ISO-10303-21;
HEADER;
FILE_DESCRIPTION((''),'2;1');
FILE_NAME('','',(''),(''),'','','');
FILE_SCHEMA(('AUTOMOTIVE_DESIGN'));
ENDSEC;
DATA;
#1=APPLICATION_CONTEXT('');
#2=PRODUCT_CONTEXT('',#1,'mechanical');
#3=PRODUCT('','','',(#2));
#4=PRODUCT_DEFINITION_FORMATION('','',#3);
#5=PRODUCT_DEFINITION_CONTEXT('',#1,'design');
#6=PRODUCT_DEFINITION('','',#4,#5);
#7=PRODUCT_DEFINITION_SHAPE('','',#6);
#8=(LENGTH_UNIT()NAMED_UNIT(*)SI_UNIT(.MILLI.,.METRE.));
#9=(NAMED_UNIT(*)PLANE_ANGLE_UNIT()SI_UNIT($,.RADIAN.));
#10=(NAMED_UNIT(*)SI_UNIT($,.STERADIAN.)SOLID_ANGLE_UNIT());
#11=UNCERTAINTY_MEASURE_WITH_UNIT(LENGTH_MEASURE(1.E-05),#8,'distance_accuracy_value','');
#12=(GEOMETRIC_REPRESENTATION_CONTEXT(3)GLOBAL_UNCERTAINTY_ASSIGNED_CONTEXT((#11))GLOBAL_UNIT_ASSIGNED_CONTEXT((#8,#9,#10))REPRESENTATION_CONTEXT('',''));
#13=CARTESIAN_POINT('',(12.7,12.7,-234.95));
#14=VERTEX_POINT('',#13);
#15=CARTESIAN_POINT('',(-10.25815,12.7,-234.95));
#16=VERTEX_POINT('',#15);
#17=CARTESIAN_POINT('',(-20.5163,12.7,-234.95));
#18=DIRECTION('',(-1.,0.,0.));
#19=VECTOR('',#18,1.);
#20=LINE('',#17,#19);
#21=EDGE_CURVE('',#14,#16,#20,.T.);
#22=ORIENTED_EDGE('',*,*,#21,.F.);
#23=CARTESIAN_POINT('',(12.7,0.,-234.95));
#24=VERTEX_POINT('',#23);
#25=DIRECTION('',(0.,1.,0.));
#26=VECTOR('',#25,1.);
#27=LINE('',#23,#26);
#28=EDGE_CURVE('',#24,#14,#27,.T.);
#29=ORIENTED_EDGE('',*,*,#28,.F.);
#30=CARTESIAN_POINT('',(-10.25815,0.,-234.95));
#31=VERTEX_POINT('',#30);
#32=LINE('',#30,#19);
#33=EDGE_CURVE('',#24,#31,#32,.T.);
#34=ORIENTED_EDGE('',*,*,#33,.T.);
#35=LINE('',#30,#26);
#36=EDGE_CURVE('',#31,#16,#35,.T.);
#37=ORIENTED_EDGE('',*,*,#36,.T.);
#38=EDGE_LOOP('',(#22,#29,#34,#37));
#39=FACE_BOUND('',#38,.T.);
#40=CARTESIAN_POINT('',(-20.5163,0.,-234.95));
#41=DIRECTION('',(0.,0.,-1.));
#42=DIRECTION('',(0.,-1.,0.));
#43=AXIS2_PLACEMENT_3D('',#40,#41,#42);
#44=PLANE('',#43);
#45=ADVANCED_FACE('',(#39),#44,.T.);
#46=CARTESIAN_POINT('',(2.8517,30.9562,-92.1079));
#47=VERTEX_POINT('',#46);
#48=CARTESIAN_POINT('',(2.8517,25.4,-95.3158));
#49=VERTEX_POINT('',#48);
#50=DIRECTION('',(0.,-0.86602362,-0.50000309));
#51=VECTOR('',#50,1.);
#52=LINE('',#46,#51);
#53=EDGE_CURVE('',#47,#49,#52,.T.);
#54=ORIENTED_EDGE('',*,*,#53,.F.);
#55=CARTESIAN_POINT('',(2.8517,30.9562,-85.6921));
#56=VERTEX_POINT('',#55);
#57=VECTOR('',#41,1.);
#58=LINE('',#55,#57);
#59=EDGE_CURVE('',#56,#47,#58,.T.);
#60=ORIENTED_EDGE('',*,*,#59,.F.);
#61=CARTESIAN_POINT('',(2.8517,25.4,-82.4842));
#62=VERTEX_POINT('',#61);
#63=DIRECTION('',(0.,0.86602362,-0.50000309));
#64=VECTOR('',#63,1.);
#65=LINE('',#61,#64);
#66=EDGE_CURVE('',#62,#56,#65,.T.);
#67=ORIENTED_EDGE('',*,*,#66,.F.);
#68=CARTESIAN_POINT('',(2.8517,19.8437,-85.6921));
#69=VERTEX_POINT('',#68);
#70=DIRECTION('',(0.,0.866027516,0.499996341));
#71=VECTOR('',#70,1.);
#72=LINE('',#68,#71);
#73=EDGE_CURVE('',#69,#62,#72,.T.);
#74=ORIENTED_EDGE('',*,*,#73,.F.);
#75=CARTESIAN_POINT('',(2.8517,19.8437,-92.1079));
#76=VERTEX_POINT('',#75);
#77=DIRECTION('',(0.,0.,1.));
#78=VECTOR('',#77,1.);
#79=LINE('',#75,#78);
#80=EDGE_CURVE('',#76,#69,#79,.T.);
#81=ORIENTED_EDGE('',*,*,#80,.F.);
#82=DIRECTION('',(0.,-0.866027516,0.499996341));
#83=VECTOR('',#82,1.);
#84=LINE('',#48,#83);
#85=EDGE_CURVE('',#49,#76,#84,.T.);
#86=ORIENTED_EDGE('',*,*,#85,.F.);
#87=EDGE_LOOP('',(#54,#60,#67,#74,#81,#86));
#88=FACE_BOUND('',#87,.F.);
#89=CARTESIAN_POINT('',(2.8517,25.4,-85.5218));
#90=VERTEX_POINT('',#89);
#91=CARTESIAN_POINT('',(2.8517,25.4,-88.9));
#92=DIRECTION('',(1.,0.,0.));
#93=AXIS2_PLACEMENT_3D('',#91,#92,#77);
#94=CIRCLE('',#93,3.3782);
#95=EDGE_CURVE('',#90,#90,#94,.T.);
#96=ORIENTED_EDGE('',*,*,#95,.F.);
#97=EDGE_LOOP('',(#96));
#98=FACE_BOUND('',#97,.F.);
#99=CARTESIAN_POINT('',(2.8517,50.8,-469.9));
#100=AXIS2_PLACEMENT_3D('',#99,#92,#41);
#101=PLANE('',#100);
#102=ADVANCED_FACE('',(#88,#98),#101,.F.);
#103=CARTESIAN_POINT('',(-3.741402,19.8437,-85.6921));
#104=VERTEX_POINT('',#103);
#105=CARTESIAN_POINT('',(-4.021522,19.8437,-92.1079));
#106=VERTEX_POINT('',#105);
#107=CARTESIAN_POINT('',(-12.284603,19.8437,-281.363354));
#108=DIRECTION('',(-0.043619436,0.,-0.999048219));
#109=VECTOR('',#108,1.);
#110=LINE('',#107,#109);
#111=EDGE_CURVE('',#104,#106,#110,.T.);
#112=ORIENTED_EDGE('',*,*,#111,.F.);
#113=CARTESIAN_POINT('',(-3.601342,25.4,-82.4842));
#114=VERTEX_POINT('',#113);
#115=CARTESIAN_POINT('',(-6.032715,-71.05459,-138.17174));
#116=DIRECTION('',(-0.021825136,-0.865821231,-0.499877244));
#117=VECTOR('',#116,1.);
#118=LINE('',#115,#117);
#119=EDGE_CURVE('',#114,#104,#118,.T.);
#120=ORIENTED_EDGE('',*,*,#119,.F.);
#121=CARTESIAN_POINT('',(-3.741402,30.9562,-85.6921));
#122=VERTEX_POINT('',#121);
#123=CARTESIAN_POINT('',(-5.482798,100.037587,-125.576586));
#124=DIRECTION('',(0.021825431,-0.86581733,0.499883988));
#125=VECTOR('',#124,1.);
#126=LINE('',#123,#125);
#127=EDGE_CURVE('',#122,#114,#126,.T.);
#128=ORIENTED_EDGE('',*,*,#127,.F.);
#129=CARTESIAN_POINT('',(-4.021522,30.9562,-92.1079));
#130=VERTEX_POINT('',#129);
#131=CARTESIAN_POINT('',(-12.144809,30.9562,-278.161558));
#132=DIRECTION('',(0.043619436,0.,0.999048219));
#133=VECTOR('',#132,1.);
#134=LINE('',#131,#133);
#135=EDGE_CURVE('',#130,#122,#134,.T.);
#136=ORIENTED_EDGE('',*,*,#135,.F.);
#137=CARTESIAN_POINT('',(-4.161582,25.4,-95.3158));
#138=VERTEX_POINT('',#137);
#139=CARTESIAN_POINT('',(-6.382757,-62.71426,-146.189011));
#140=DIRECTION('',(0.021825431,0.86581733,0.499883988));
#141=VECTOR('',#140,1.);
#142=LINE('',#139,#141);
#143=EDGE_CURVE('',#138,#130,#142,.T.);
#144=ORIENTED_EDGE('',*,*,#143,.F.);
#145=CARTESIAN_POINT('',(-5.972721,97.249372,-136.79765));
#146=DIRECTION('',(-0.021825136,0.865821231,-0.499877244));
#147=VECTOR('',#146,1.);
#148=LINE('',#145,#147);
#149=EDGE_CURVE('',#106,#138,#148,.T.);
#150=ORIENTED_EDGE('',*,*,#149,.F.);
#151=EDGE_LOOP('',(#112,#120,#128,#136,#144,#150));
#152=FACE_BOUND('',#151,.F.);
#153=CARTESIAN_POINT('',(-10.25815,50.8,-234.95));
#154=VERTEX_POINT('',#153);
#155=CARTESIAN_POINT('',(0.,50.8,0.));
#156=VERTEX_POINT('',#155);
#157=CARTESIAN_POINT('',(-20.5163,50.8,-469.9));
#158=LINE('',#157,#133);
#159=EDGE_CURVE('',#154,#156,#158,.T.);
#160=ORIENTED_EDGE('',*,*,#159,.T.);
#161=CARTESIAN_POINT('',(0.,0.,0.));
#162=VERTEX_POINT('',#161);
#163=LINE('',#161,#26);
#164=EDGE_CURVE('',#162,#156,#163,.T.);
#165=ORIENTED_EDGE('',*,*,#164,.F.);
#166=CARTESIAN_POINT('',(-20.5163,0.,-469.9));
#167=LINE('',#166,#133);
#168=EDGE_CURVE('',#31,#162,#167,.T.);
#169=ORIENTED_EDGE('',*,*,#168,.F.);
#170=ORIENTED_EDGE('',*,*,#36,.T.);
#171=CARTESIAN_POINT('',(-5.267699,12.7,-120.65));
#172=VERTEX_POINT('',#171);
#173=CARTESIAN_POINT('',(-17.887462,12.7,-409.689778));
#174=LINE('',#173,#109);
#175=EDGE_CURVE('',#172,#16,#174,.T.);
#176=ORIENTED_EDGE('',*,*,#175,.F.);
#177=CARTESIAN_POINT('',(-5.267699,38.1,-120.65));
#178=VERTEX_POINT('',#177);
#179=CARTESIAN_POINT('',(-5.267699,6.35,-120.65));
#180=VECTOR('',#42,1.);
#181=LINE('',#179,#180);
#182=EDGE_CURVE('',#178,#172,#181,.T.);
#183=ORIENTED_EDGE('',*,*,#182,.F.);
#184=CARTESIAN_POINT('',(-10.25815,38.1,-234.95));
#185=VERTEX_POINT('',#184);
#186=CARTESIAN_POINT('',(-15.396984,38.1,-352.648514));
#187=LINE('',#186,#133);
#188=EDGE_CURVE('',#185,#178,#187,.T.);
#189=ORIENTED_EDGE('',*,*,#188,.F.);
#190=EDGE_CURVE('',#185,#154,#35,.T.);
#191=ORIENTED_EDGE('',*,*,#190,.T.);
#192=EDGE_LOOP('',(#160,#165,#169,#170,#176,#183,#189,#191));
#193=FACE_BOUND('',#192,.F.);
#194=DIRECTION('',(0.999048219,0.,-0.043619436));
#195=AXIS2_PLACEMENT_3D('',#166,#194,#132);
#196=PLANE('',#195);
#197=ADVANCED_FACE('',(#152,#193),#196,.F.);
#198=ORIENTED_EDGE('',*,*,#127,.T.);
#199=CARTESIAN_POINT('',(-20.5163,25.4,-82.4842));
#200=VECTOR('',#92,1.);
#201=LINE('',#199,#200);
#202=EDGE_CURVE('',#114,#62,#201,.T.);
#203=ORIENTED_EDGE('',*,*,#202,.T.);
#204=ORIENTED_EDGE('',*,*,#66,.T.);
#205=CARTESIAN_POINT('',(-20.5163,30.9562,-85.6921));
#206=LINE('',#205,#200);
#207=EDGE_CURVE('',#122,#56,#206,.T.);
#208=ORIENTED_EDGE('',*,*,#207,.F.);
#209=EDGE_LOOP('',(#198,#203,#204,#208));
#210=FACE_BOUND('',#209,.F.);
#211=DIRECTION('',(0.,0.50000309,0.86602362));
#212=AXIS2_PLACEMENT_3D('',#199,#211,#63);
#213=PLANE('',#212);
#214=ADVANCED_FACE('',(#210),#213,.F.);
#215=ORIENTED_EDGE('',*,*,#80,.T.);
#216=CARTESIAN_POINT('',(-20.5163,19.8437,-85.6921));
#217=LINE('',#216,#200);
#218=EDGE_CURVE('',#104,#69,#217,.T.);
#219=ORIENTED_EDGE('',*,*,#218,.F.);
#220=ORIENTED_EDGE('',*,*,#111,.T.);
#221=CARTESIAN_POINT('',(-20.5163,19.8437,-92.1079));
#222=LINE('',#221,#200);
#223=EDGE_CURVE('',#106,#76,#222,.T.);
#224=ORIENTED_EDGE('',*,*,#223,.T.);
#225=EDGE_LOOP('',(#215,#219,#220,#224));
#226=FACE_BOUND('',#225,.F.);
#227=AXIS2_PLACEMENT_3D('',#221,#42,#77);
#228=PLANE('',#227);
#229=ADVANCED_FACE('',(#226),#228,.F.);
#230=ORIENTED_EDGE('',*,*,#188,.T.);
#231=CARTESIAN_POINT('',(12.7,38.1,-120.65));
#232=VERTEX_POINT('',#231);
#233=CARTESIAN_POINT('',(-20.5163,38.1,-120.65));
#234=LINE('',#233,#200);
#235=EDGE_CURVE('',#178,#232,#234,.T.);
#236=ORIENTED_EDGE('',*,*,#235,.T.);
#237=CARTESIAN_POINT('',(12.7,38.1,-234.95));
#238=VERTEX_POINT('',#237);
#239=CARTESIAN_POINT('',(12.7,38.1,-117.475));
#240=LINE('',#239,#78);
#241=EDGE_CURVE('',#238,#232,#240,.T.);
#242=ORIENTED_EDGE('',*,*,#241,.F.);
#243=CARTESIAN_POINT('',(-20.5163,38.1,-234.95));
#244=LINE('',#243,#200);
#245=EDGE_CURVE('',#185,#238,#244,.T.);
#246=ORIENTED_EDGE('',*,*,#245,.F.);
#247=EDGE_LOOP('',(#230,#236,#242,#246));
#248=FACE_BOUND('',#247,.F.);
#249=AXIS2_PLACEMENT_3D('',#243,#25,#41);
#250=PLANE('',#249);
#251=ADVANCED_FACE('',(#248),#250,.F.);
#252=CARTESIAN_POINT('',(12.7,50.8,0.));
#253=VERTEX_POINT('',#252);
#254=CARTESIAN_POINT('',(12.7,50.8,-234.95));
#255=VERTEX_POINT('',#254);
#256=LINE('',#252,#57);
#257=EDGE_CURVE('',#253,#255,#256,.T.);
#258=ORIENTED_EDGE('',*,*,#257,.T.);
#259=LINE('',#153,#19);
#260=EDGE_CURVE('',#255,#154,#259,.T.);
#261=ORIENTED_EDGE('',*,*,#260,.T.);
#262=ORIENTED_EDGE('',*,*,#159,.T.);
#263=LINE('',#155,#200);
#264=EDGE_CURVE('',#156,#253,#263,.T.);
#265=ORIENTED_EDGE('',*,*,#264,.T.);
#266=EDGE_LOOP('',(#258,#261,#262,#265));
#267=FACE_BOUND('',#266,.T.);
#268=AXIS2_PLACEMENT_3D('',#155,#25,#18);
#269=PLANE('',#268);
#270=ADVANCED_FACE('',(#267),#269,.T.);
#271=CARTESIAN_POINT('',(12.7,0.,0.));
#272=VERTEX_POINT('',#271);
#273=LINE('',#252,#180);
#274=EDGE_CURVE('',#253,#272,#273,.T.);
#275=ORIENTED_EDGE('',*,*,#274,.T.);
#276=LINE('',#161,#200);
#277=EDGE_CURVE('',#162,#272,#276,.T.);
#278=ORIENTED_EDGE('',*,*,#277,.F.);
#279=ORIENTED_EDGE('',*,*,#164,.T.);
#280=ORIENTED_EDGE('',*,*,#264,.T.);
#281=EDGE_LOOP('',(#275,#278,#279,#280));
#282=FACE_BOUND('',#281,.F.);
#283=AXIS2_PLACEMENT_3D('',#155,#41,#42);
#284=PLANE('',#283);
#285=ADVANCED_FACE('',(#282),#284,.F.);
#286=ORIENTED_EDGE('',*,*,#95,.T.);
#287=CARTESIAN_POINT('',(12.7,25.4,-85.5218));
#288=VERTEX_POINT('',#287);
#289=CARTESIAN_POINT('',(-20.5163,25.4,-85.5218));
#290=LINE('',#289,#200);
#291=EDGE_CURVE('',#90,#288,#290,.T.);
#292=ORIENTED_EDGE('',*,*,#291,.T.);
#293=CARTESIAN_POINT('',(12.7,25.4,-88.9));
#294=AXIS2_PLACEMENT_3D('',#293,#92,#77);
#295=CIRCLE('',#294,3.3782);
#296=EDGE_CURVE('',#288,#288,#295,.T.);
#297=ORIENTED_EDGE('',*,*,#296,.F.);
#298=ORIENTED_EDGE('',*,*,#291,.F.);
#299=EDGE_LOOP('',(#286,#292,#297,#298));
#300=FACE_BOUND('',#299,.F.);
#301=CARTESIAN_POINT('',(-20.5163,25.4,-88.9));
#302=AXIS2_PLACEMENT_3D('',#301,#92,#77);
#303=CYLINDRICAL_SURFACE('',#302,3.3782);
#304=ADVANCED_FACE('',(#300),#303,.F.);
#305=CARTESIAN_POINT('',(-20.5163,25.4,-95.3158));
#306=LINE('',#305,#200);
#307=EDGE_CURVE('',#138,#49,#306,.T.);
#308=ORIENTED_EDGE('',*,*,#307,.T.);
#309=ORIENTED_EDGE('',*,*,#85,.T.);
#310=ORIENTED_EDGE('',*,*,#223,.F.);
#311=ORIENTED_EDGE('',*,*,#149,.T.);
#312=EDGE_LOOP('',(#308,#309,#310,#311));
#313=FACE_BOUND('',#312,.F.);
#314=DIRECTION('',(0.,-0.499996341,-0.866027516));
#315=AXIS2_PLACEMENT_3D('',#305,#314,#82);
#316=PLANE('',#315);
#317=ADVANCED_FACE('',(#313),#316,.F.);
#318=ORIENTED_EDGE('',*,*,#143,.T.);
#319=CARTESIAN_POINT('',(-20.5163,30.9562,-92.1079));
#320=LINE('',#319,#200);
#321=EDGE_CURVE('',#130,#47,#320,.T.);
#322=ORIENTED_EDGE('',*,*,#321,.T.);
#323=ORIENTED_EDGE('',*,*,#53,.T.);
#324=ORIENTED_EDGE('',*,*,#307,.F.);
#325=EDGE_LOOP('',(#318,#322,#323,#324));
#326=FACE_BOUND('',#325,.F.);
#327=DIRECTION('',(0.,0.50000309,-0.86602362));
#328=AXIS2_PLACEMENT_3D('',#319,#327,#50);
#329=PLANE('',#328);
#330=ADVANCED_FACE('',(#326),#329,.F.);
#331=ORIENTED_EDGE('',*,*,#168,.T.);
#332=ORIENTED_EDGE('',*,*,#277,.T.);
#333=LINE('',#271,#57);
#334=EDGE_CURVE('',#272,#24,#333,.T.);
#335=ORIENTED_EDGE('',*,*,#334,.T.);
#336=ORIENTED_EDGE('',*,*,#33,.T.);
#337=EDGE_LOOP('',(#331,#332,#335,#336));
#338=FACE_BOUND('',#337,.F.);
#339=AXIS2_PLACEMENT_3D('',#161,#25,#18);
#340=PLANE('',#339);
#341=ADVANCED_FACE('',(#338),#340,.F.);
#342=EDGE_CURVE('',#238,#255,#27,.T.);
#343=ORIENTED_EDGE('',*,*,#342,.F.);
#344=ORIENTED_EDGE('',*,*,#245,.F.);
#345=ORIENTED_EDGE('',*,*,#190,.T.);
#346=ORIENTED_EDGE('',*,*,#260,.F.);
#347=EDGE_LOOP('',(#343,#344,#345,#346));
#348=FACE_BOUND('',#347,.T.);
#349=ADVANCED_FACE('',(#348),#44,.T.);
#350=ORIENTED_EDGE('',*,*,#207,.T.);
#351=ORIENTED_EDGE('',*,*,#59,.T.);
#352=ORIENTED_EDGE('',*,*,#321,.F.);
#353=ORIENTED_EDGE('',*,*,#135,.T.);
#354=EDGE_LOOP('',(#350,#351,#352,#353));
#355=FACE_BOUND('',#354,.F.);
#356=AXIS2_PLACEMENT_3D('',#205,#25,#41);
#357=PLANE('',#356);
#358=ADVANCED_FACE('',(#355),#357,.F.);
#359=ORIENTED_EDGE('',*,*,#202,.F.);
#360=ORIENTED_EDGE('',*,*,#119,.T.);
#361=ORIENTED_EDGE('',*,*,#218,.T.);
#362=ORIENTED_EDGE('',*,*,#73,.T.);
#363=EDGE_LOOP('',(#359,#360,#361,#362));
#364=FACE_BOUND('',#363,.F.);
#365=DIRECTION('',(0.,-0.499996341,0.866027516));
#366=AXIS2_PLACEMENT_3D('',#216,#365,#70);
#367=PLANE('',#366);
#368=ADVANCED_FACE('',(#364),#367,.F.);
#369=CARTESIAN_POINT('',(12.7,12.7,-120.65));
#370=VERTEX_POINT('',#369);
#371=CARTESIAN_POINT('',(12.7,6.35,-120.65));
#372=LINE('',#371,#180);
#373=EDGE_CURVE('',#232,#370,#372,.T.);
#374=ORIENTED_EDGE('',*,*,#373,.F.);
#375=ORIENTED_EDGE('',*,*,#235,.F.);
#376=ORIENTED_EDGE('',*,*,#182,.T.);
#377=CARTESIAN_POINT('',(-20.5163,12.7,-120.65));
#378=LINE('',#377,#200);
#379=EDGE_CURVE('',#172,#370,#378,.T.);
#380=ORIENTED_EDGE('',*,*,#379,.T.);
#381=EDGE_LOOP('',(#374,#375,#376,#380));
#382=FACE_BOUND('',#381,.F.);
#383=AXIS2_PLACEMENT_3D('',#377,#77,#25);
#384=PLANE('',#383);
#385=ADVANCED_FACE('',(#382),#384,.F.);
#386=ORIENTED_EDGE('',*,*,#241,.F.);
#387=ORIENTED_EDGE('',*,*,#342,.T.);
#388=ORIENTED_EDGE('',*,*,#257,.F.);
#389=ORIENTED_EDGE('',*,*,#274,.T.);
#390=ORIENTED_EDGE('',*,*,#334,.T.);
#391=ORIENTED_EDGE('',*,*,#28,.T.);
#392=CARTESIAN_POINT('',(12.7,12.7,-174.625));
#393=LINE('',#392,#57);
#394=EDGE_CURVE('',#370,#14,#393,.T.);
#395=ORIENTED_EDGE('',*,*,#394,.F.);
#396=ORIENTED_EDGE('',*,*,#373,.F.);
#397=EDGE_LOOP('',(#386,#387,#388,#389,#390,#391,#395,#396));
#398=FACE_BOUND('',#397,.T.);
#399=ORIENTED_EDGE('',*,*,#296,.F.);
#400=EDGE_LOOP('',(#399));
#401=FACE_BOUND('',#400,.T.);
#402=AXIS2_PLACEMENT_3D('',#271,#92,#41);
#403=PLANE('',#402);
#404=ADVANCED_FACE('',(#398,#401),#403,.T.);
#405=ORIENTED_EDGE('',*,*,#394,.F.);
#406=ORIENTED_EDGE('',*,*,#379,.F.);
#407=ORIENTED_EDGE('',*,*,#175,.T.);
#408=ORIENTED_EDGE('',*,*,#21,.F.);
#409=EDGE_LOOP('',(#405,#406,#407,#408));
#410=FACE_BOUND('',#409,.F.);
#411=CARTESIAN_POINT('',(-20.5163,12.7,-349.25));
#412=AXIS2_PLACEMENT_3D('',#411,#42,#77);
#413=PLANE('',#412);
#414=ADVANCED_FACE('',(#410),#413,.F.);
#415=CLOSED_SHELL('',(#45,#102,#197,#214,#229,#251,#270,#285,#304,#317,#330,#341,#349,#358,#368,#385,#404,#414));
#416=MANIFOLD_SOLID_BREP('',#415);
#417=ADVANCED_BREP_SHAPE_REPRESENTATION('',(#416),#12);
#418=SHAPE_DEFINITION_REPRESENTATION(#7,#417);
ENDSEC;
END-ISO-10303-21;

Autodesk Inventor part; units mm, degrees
ref_plane "YZ Plane" through (0, 0, 0) normal (1, 0, 0) x (0, 1, 0)
ref_plane "XZ Plane" through (0, 0, 0) normal (0, 1, 0) x (-1, 0, 0)
sketch "Sketch1" plane through (0, 0, 0) normal (0, 1, 0) x (-1, 0, 0)
  line L0 (0, 0) -> (0, -469.9)
  line L1 (0, -469.9) -> (0, -122.0086)
  line L2 (0, -469.9) -> (20.5163, -469.9)
  line L3 (20.5163, -469.9) -> (0, 0)
  dimension "d0" = 469.9
  dimension "d1" = 2.5
extrude "Extrusion1" add sketch "Sketch1" along normal blind 50.8
ref_plane "Work Plane1" through (-20.5163, 50.8, -469.9) normal (1, 0, 0) x (0, 0, -1)
sketch "Sketch2" plane through (0, 0, 0) normal (1, 0, 0) x (0, 0, -1)
  line L0 (0, 0) -> (469.9, 0) projected
  line L1 (0, 50.8) -> (469.9, 50.8) projected
  line L2 (0, 0) -> (469.9, 0)
  line L3 (469.9, 0) -> (469.9, 50.8)
  line L4 (469.9, 50.8) -> (0, 50.8)
  line L5 (0, 50.8) -> (0, 0)
extrude "Extrusion2" add sketch "Sketch2" along normal blind 12.7
sketch "Sketch4" plane through (-20.5163, 50.8, -469.9) normal (1, 0, 0) x (0, 0, -1)
  line L0 (0, -50.8) -> (0, 0) construction
  line L1 (0, -25.4) -> (-279.4, -25.4) construction
  line L2 (0, -50.8) -> (-469.9, -50.8) construction
  line L3 (-469.9, -50.8) -> (-469.9, 0) construction
  point P0 (-381, -25.4)
  point P1 (-123.825, -25.4)
  point P2 (-469.9, 0)
  dimension "d16" = 25.4
  dimension "d17" = 88.9
  dimension "d18" = 346.075
hole "Hole2" at (-20.5163, 25.4, -88.9) at (-20.5163, 25.4, -346.075) direction (1, 0, 0) diameter 6.7564 end through all clearance for "Flat Head Machine Screw (82)" size "1/4" standard "Ansi Unified Screw Threads"
sketch "Sketch6" plane through (-20.5163, 50.8, -469.9) normal (1, 0, 0) x (0, 0, -1)
  circle A0 centre (-123.825, -25.4) radius 3.3782 projected
  line L0 (-130.2408, -25.4) -> (-127.0329, -19.8438)
  line L1 (-127.0329, -19.8438) -> (-120.6171, -19.8438)
  line L2 (-120.6171, -19.8438) -> (-117.4092, -25.4)
  line L3 (-117.4092, -25.4) -> (-120.6171, -30.9563)
  line L4 (-120.6171, -30.9563) -> (-127.0329, -30.9562)
  line L5 (-127.0329, -30.9562) -> (-130.2408, -25.4)
  circle A1 centre (-381, -25.4) radius 3.3782 projected
  line L6 (-387.4158, -25.4) -> (-384.2079, -19.8438)
  line L7 (-384.2079, -19.8438) -> (-377.7921, -19.8438)
  line L8 (-377.7921, -19.8438) -> (-374.5842, -25.4)
  line L9 (-374.5842, -25.4) -> (-377.7921, -30.9563)
  line L10 (-377.7921, -30.9563) -> (-384.2079, -30.9563)
  line L11 (-384.2079, -30.9563) -> (-387.4158, -25.4)
  line L12 (0, 0) -> (-469.9, 0) projected
  point P0 (-469.9, -50.8)
  dimension "d26" = 11.1125
extrude "Extrusion3" cut sketch "Sketch6" along normal blind 23.368
ref_plane "Work Plane2" through (-20.5163, 0, -234.95) normal (0, 0, -1) x (-1, 0, 0)
split "Split2" plane through (-20.5163, 0, -234.95) removes the side toward (0, 0, -1)
sketch "Sketch7" plane through (-20.5163, 50.8, -469.9) normal (1, 0, 0) x (0, 0, -1)
  line L0 (-120.65, -38.1) -> (-349.25, -38.1)
  line L1 (-349.25, -38.1) -> (-349.25, -12.7)
  line L2 (-349.25, -12.7) -> (-120.65, -12.7)
  line L3 (-120.65, -12.7) -> (-120.65, -38.1)
  line L4 (-234.95, -50.8) -> (-234.95, 0) projected
  line L5 (-120.65, -38.1) -> (-349.25, -12.7) construction
  line L6 (-349.25, -38.1) -> (-120.65, -12.7) construction
  point P0 (-469.9, -50.8)
  point P1 (-234.95, -25.4)
  dimension "d30" = 25.4
  dimension "d31" = 228.6
extrude "Extrusion4" cut sketch "Sketch7" along normal through all
equation "\"d0\" = lengthOfFixture"
equation "\"d1\" = cutAngle"
equation "\"d2\" = heightOfJig"
equation "\"d4\" = addedDepthToSupportBolts"
equation "\"d16\" = heightOfBoltHolt"
equation "\"d17\" = bottomToFirstHole"
equation "\"d18\" = bottomToSecondHole"
equation "\"d26\" = hexBoltDiameter"
equation "\"d27\" = depthOfHoleForHexBolt + clearanceForHexbolt"
equation "\"lengthOfFixture\" = 469.9"
equation "\"cutAngle\" = 2.5deg"
equation "\"bottomToFirstHole\" = 88.9"
equation "\"distanceBetweenBolts\" = 257.175"
equation "\"bottomToSecondHole\" = bottomToFirstHole + distanceBetweenBolts"
equation "\"heightOfBoltHolt\" = 25.4"
equation "\"boltSize\" = 6.35"
equation "\"heightOfJig\" = 50.8"
equation "\"addedDepthToSupportBolts\" = 12.7"
equation "\"depthOfHoleForHexBolt\" = 22.86"
equation "\"hexBoltDiameter\" = 11.1125"
equation "\"clearanceForHexbolt\" = 0.508"
equation "\"d29\" = -0.5 * lengthOfFixture"
properties part number "jigForRipCutsA" material "PC/ABS Plastic"
